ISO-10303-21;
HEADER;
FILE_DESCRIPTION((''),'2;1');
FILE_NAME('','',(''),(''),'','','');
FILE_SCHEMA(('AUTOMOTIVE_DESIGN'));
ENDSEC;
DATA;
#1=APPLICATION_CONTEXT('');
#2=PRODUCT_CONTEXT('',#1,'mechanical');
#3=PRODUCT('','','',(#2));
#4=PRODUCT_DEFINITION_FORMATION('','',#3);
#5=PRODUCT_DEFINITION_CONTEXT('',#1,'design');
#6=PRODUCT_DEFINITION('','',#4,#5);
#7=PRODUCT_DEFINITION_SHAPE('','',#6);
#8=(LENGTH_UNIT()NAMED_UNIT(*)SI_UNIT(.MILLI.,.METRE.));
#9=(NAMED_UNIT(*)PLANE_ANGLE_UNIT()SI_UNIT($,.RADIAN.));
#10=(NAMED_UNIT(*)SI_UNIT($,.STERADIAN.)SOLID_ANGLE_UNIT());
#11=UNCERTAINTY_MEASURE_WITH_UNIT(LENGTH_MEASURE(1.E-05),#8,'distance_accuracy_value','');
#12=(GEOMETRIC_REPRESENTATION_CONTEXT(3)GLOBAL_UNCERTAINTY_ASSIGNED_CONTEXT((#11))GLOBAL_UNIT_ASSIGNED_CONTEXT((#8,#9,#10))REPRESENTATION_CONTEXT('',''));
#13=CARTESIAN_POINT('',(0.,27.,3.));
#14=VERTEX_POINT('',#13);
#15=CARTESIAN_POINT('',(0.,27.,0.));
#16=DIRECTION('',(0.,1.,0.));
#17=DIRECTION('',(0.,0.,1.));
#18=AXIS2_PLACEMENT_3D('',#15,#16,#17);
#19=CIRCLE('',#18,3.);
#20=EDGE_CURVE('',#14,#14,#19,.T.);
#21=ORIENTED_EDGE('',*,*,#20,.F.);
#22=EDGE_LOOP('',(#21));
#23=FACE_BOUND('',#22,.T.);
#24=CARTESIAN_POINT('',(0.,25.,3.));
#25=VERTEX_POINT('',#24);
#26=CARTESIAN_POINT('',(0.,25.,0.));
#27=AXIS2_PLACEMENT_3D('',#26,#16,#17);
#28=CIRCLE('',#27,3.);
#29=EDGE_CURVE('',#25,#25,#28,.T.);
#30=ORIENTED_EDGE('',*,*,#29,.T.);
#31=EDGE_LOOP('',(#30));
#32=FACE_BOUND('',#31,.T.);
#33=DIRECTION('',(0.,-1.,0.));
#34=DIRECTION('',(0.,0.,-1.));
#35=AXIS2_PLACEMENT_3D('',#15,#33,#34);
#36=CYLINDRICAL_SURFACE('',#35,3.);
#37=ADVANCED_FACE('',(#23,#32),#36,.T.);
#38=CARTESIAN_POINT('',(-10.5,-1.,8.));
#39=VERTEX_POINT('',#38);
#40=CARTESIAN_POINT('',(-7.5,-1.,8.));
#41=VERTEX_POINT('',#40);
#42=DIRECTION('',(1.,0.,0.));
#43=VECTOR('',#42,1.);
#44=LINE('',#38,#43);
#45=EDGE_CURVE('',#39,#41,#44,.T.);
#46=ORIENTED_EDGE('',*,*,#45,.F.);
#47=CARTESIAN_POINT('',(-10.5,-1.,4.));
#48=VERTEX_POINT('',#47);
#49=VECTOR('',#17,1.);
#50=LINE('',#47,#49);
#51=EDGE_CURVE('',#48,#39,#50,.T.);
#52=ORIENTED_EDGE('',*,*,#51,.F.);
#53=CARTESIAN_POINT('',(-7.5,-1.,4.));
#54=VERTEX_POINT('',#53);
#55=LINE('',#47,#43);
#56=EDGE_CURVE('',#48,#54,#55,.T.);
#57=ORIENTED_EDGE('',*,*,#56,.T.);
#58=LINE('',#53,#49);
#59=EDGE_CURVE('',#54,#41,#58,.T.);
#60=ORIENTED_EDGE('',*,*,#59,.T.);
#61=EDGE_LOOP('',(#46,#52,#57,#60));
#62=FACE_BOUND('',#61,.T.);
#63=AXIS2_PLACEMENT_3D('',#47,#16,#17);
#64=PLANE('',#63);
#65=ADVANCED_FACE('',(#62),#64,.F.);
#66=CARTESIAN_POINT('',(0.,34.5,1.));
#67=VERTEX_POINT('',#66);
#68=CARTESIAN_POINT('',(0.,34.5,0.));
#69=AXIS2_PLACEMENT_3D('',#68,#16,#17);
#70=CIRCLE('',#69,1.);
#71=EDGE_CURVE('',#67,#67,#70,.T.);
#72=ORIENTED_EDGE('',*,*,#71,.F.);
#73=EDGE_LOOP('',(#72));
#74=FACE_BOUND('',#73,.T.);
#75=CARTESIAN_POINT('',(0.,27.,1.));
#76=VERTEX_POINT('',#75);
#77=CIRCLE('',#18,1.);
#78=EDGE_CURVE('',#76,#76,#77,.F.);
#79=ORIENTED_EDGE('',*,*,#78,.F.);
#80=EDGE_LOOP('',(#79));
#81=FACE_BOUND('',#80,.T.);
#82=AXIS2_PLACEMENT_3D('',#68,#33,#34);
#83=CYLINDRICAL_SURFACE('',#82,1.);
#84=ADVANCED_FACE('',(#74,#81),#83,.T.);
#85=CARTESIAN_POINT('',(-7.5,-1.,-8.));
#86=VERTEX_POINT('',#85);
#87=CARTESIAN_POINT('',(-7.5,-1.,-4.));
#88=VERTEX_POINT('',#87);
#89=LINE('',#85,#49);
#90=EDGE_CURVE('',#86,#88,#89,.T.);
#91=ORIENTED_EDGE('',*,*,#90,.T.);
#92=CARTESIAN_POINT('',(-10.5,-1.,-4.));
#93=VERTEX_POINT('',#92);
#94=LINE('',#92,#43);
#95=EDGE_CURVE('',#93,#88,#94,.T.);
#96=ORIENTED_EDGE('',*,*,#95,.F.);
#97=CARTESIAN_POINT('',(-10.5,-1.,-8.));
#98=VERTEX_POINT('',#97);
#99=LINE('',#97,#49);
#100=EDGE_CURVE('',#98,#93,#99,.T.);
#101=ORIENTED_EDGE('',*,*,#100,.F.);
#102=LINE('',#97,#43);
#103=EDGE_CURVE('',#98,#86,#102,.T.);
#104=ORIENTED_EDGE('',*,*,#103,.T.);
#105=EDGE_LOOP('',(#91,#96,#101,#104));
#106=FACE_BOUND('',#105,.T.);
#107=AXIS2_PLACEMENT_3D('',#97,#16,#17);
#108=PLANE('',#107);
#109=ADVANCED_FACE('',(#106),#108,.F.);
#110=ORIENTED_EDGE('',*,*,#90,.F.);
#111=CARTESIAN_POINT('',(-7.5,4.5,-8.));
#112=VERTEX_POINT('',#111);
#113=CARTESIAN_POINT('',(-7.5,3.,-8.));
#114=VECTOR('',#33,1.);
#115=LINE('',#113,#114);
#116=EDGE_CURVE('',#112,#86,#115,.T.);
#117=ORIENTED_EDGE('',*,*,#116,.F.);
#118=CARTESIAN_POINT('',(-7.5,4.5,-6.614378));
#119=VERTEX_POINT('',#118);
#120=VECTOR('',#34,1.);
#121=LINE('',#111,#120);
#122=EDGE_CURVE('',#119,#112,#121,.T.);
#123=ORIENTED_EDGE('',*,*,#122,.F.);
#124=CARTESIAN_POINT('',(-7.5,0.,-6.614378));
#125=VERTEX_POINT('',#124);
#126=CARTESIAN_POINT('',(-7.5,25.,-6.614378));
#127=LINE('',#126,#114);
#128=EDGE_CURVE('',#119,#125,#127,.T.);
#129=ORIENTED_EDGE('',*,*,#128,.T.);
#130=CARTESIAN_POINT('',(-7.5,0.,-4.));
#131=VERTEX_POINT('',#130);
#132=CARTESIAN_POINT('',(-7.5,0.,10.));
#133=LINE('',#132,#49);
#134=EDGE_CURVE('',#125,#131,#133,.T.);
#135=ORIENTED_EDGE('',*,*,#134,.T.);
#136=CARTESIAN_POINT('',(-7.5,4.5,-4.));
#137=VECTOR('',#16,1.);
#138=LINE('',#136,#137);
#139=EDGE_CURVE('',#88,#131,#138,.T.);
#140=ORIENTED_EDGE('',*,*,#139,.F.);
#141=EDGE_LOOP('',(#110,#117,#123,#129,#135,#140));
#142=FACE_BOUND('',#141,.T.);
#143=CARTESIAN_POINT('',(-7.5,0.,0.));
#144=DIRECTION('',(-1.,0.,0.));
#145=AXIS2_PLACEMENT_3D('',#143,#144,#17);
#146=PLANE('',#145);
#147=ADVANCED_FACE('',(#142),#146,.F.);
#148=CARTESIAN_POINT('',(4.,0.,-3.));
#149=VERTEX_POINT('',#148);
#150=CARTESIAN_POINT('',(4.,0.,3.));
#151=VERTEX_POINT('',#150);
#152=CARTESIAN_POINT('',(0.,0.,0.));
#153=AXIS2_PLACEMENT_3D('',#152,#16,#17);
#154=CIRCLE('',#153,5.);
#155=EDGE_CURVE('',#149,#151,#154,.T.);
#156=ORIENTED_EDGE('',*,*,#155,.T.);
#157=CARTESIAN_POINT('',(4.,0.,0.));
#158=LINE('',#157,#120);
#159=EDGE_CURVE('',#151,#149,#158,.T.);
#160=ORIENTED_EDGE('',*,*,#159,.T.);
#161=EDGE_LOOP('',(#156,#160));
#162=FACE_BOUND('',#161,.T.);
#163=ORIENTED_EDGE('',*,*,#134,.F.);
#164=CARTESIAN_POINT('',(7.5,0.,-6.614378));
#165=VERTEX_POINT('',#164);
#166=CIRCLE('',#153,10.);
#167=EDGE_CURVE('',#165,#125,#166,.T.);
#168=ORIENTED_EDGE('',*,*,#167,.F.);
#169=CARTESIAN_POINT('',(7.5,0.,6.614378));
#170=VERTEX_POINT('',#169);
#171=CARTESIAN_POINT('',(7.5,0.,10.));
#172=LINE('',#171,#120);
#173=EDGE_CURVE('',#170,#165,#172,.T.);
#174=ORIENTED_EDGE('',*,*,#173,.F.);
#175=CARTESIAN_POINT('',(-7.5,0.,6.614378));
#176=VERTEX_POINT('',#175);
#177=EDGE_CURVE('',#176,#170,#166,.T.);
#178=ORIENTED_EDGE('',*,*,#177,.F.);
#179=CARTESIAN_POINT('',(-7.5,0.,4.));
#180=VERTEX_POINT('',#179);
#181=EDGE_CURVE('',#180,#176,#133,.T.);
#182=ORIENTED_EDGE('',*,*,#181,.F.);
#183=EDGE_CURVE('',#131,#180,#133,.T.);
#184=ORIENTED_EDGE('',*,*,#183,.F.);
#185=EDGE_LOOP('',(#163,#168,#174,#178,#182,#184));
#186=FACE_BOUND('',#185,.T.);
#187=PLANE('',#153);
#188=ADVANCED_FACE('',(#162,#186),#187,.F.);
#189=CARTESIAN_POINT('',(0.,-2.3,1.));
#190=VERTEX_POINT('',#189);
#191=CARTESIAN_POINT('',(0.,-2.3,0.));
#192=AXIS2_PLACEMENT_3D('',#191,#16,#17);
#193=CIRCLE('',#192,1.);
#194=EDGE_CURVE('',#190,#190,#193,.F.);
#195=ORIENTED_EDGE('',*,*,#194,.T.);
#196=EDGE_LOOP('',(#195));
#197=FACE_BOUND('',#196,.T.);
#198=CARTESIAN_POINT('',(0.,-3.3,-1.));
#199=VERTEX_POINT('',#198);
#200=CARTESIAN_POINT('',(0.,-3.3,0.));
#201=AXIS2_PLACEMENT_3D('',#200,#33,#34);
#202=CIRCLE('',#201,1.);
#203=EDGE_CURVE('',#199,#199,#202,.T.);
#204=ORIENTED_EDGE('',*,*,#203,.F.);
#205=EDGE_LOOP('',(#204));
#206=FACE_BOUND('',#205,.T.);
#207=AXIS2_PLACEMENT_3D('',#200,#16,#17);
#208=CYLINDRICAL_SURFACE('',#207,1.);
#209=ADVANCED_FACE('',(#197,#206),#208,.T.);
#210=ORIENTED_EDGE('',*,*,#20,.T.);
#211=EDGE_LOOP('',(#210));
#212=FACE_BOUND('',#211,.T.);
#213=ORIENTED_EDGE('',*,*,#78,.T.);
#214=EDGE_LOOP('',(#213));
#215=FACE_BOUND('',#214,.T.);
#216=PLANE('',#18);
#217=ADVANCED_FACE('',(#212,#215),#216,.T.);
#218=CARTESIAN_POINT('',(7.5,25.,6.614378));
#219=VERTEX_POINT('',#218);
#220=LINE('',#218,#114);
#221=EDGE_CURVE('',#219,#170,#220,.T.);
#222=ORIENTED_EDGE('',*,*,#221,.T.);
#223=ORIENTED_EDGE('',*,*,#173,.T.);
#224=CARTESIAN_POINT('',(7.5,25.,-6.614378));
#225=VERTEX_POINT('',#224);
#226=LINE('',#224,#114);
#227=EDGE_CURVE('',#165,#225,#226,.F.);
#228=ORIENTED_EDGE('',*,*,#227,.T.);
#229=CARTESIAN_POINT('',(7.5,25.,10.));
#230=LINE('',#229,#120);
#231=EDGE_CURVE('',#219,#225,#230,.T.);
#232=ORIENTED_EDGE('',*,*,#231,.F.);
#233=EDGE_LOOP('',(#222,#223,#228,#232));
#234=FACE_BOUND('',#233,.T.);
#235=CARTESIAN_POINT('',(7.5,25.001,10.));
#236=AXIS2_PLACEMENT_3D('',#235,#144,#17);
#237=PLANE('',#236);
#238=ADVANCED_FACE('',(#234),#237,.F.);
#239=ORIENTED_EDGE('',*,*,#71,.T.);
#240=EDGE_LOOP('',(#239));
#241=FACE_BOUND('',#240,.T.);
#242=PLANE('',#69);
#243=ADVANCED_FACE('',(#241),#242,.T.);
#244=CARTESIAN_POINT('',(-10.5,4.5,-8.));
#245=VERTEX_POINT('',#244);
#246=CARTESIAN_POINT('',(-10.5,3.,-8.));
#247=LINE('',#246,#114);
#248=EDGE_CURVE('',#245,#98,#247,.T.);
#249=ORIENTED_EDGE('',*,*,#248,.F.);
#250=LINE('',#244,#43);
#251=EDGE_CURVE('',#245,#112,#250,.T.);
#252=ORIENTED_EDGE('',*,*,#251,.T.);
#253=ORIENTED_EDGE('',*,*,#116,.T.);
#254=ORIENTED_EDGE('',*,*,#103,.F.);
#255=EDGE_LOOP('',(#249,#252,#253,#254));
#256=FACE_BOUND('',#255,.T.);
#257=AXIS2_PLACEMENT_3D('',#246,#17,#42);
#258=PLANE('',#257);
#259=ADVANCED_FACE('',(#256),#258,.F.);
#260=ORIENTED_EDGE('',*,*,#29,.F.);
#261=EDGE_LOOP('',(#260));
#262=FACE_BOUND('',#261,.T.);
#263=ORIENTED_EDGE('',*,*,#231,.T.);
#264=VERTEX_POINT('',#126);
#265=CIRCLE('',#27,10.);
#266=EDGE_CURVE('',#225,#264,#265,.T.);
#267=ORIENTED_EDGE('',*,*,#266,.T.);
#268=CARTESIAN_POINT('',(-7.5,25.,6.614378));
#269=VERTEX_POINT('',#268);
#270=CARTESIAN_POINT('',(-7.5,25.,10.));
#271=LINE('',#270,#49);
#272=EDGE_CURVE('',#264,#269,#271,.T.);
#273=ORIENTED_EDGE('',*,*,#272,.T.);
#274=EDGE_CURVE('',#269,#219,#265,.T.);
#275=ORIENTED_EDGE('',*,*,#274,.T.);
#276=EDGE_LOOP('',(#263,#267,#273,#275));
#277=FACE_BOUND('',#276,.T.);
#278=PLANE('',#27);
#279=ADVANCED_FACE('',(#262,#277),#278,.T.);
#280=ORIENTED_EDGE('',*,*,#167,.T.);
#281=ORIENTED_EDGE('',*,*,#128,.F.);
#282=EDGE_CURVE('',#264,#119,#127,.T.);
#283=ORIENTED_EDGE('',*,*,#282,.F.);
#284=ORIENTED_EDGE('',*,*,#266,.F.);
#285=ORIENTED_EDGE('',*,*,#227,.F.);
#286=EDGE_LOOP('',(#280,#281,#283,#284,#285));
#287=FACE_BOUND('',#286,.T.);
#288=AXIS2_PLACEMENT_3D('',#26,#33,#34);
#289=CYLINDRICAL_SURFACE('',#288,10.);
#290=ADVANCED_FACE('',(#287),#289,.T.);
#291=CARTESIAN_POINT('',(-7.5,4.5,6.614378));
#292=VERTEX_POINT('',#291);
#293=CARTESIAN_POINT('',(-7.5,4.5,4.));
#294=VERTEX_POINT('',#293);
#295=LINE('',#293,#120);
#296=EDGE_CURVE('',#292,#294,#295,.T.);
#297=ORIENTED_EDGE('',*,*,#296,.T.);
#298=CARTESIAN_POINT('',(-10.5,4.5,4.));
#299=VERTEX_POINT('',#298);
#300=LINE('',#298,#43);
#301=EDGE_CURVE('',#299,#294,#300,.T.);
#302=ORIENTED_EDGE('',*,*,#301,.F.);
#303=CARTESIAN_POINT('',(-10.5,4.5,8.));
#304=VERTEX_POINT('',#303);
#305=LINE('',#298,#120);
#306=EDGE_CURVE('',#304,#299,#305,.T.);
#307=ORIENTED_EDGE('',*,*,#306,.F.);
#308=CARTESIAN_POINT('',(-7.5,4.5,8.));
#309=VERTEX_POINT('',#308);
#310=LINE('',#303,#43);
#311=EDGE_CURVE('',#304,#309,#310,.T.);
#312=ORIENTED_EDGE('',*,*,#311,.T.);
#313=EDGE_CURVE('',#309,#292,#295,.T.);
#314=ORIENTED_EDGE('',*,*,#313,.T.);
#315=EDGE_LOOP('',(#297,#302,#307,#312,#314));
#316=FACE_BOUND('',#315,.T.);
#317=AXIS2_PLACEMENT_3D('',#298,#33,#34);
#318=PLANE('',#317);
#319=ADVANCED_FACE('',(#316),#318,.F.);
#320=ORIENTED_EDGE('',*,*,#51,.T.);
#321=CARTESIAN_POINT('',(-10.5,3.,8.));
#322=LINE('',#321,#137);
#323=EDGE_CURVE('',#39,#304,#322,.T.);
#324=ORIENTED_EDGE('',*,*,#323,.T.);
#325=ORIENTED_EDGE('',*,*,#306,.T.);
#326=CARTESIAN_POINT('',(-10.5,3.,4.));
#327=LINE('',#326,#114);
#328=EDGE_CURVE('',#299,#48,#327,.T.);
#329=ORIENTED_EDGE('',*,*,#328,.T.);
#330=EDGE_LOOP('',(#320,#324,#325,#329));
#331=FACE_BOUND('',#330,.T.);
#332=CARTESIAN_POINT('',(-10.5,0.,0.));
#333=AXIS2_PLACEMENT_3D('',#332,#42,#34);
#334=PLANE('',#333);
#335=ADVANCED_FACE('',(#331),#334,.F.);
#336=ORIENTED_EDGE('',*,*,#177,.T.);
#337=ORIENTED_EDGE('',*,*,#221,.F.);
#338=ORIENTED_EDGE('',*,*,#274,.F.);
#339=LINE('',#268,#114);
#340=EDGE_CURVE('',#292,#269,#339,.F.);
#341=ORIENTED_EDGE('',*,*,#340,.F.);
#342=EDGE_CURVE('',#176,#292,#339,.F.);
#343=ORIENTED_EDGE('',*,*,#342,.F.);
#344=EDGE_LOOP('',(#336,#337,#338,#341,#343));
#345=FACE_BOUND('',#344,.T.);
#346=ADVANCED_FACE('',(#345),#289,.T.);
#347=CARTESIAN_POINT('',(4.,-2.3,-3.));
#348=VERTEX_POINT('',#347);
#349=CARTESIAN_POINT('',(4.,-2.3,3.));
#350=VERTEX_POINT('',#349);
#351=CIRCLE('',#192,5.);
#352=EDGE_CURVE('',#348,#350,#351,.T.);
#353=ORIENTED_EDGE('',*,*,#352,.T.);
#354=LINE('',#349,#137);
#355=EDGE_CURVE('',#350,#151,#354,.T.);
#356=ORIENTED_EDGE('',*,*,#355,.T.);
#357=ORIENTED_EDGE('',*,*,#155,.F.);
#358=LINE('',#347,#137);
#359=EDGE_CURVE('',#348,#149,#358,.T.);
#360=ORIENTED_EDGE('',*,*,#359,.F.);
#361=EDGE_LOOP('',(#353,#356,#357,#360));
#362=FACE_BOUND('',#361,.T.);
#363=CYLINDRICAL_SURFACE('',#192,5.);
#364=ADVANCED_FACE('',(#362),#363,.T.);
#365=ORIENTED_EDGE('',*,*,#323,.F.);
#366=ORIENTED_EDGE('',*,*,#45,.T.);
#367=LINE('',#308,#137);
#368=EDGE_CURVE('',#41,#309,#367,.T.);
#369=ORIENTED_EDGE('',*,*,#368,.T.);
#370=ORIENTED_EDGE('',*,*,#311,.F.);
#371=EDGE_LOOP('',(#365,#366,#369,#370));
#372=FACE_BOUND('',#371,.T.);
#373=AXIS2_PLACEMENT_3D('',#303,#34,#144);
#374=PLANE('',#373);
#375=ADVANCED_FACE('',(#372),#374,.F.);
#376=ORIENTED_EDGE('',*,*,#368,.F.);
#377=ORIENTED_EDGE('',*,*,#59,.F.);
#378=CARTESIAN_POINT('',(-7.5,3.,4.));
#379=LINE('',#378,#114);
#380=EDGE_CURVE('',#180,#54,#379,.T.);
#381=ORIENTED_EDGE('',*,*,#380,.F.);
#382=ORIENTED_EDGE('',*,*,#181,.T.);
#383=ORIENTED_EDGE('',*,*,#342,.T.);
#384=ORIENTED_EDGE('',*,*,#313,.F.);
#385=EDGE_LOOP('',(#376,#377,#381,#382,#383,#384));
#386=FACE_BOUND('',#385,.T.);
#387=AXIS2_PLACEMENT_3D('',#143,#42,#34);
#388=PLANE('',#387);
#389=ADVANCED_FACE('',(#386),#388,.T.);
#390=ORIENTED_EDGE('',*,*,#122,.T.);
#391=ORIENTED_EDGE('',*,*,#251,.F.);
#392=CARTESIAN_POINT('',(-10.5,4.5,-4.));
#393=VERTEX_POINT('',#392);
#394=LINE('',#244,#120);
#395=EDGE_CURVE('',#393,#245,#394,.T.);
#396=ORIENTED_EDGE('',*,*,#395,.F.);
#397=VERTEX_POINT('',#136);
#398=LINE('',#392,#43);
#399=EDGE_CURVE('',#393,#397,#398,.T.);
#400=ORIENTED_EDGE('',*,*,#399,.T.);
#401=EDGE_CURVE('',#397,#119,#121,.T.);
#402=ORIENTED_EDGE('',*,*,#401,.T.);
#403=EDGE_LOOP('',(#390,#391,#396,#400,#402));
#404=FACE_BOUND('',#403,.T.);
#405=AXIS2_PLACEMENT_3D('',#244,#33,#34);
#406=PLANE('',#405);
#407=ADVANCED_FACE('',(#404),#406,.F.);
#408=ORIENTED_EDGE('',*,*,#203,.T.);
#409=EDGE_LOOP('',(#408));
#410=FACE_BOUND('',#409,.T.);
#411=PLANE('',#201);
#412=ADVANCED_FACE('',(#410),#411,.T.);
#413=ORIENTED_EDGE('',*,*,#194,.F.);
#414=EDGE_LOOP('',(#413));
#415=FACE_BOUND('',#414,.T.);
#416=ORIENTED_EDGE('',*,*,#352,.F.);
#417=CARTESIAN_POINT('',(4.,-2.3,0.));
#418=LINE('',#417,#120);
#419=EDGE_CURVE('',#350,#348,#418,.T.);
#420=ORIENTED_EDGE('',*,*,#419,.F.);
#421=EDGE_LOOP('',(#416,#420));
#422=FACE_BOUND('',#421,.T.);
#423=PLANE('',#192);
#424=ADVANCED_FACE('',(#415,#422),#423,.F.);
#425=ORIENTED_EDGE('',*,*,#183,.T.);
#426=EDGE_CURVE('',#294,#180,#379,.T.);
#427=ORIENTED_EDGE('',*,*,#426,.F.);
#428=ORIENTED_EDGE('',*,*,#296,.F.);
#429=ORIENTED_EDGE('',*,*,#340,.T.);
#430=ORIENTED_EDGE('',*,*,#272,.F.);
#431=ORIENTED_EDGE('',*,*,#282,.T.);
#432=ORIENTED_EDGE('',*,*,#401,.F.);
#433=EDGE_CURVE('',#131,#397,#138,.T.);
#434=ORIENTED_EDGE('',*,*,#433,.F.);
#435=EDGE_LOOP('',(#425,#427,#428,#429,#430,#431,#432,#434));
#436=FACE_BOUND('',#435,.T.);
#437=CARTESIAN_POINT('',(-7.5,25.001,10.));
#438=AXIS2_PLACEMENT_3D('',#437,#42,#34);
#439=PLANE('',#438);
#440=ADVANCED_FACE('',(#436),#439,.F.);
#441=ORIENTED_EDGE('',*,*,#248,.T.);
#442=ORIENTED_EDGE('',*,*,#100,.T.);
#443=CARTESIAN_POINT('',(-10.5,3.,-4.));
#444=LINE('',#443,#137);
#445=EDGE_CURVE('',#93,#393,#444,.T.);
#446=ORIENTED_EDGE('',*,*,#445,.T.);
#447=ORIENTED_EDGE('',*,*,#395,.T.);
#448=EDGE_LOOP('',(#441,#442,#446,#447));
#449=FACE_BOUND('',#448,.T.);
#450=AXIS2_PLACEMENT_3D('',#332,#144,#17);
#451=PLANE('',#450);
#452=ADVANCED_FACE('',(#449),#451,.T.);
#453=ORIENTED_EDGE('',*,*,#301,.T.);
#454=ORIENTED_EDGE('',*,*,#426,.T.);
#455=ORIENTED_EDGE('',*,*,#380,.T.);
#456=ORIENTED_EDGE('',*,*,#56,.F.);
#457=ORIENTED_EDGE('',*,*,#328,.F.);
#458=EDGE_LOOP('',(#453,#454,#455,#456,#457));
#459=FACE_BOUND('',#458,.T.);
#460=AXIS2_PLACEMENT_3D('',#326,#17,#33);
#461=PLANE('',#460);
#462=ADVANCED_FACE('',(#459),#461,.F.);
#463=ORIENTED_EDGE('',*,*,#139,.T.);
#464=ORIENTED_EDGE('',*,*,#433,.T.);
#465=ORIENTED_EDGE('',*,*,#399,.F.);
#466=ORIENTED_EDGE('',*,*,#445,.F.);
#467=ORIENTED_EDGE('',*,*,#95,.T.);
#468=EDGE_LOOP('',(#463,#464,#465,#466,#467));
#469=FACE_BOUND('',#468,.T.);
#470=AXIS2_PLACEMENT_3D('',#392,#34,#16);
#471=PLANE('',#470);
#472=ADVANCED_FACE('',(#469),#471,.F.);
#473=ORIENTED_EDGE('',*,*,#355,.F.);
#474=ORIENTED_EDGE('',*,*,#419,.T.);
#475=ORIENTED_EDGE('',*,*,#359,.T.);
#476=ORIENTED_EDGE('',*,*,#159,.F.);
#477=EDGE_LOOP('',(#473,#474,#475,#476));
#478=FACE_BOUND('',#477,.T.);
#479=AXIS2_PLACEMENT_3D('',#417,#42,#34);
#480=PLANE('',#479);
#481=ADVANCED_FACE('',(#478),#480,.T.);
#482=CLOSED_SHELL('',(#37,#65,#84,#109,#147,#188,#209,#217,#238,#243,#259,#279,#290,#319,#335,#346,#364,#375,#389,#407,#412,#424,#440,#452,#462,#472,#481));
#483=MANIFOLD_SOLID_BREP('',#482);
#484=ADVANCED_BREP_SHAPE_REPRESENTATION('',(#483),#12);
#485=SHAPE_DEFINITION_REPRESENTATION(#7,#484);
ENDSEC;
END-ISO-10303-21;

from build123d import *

# Parameters (mm, degrees)
SKETCH_1_R            = 10
EXTRUDE_1_DEPTH       = 25
CUT_EXTRUDE_2_1_REACH = 30.723
SKETCH_2_W            = 2.5
SKETCH_2_H            = 20
SKETCH_3_R            = 3
EXTRUDE_2_DEPTH       = 2
EXTRUDE_START         = -2
SKETCH_4_R            = 1
EXTRUDE_3_DEPTH       = 9.5
EXTRUDE_START_2       = -25
EXTRUDE_4_DEPTH       = 27.3
EXTRUDE_START_3       = 1
SKETCH_6_R            = 1
EXTRUDE_5_DEPTH       = 1
EXTRUDE_6_DEPTH       = 3


with BuildPart() as part:
    # 草图1 → 圆柱凸台-拉伸1 (new body)
    with BuildSketch(Plane(origin=(0, 0, 0), x_dir=(1, 0, 0), z_dir=(0, 1, 0))):
        with Locations(Location((0, 0, 0), (0, 0, 270))):
            Circle(SKETCH_1_R)
    extrude(amount=EXTRUDE_1_DEPTH)

    # 草图2 → 2边切除切除-拉伸1 (cut, up to next)
    with BuildSketch(Plane.XZ, mode=Mode.PRIVATE) as cut_extrude_2_1_sk1:
        with Locations((-8.75, 0)):
            Rectangle(SKETCH_2_W, SKETCH_2_H)
    cut_extrude_2_1_tool1 = extrude(cut_extrude_2_1_sk1.sketch, amount=-CUT_EXTRUDE_2_1_REACH, mode=Mode.PRIVATE) & part.part
    # 草图2 → 2边切除切除-拉伸1 (cut, up to next)
    with BuildSketch(Plane.XZ, mode=Mode.PRIVATE) as cut_extrude_2_1_sk2:
        with Locations((8.75, 0)):
            Rectangle(SKETCH_2_W, SKETCH_2_H)
    cut_extrude_2_1_tool2 = extrude(cut_extrude_2_1_sk2.sketch, amount=-CUT_EXTRUDE_2_1_REACH, mode=Mode.PRIVATE) & part.part
    add(cut_extrude_2_1_tool1.solids().sort_by_distance((-8.75, 0, 0))[0], mode=Mode.SUBTRACT)
    add(cut_extrude_2_1_tool2.solids().sort_by_distance((8.75, 0, 0))[0], mode=Mode.SUBTRACT)

    # 草图3 → 前转凸台-拉伸2 (add)
    with BuildSketch(Plane(origin=(0, 25, 0), x_dir=(1, 0, 0), z_dir=(0, 1, 0))):
        with Locations(Location((0, 0, 0), (0, 0, 270))):
            Circle(SKETCH_3_R)
    extrude(amount=EXTRUDE_2_DEPTH)

    # 草图4 → 前转杆凸台-拉伸3 (add)
    with BuildSketch(Plane(origin=(0, 27, 0), x_dir=(1, 0, 0), z_dir=(0, 1, 0)).offset(EXTRUDE_START)):
        with Locations(Location((0, 0, 0), (0, 0, 270))):
            Circle(SKETCH_4_R)
    extrude(amount=EXTRUDE_3_DEPTH)

    # 草图5 → 后转凸台-拉伸4 (add)
    with BuildSketch(Plane.XZ.offset(EXTRUDE_START_2)):
        with BuildLine():
            Line((4, 3), (4, -3))
            ThreePointArc((4, -3), (-5, 0), (4, 3))
        make_face()
    extrude(amount=EXTRUDE_4_DEPTH)

    # 草图6 → 后转杆凸台-拉伸5 (add)
    with BuildSketch(Plane.XZ.offset(2.3).offset(EXTRUDE_START_3)):
        with Locations(Location((0, 0, 0), (0, 0, 90))):
            Circle(SKETCH_6_R)
    extrude(amount=-EXTRUDE_5_DEPTH)

    # 草图7 → 引线凸台-拉伸6 (add)
    with BuildSketch(Plane.ZY.offset(7.5)):
        Polygon((-8, 3), (-8, 4.5), (-4, 4.5), (-4, 3), (-4, -1), (-8, -1), align=None)
        Polygon((8, 3), (8, -1), (4, -1), (4, 3), (4, 4.5), (8, 4.5), align=None)
    extrude(amount=EXTRUDE_6_DEPTH)


solid = part.part
